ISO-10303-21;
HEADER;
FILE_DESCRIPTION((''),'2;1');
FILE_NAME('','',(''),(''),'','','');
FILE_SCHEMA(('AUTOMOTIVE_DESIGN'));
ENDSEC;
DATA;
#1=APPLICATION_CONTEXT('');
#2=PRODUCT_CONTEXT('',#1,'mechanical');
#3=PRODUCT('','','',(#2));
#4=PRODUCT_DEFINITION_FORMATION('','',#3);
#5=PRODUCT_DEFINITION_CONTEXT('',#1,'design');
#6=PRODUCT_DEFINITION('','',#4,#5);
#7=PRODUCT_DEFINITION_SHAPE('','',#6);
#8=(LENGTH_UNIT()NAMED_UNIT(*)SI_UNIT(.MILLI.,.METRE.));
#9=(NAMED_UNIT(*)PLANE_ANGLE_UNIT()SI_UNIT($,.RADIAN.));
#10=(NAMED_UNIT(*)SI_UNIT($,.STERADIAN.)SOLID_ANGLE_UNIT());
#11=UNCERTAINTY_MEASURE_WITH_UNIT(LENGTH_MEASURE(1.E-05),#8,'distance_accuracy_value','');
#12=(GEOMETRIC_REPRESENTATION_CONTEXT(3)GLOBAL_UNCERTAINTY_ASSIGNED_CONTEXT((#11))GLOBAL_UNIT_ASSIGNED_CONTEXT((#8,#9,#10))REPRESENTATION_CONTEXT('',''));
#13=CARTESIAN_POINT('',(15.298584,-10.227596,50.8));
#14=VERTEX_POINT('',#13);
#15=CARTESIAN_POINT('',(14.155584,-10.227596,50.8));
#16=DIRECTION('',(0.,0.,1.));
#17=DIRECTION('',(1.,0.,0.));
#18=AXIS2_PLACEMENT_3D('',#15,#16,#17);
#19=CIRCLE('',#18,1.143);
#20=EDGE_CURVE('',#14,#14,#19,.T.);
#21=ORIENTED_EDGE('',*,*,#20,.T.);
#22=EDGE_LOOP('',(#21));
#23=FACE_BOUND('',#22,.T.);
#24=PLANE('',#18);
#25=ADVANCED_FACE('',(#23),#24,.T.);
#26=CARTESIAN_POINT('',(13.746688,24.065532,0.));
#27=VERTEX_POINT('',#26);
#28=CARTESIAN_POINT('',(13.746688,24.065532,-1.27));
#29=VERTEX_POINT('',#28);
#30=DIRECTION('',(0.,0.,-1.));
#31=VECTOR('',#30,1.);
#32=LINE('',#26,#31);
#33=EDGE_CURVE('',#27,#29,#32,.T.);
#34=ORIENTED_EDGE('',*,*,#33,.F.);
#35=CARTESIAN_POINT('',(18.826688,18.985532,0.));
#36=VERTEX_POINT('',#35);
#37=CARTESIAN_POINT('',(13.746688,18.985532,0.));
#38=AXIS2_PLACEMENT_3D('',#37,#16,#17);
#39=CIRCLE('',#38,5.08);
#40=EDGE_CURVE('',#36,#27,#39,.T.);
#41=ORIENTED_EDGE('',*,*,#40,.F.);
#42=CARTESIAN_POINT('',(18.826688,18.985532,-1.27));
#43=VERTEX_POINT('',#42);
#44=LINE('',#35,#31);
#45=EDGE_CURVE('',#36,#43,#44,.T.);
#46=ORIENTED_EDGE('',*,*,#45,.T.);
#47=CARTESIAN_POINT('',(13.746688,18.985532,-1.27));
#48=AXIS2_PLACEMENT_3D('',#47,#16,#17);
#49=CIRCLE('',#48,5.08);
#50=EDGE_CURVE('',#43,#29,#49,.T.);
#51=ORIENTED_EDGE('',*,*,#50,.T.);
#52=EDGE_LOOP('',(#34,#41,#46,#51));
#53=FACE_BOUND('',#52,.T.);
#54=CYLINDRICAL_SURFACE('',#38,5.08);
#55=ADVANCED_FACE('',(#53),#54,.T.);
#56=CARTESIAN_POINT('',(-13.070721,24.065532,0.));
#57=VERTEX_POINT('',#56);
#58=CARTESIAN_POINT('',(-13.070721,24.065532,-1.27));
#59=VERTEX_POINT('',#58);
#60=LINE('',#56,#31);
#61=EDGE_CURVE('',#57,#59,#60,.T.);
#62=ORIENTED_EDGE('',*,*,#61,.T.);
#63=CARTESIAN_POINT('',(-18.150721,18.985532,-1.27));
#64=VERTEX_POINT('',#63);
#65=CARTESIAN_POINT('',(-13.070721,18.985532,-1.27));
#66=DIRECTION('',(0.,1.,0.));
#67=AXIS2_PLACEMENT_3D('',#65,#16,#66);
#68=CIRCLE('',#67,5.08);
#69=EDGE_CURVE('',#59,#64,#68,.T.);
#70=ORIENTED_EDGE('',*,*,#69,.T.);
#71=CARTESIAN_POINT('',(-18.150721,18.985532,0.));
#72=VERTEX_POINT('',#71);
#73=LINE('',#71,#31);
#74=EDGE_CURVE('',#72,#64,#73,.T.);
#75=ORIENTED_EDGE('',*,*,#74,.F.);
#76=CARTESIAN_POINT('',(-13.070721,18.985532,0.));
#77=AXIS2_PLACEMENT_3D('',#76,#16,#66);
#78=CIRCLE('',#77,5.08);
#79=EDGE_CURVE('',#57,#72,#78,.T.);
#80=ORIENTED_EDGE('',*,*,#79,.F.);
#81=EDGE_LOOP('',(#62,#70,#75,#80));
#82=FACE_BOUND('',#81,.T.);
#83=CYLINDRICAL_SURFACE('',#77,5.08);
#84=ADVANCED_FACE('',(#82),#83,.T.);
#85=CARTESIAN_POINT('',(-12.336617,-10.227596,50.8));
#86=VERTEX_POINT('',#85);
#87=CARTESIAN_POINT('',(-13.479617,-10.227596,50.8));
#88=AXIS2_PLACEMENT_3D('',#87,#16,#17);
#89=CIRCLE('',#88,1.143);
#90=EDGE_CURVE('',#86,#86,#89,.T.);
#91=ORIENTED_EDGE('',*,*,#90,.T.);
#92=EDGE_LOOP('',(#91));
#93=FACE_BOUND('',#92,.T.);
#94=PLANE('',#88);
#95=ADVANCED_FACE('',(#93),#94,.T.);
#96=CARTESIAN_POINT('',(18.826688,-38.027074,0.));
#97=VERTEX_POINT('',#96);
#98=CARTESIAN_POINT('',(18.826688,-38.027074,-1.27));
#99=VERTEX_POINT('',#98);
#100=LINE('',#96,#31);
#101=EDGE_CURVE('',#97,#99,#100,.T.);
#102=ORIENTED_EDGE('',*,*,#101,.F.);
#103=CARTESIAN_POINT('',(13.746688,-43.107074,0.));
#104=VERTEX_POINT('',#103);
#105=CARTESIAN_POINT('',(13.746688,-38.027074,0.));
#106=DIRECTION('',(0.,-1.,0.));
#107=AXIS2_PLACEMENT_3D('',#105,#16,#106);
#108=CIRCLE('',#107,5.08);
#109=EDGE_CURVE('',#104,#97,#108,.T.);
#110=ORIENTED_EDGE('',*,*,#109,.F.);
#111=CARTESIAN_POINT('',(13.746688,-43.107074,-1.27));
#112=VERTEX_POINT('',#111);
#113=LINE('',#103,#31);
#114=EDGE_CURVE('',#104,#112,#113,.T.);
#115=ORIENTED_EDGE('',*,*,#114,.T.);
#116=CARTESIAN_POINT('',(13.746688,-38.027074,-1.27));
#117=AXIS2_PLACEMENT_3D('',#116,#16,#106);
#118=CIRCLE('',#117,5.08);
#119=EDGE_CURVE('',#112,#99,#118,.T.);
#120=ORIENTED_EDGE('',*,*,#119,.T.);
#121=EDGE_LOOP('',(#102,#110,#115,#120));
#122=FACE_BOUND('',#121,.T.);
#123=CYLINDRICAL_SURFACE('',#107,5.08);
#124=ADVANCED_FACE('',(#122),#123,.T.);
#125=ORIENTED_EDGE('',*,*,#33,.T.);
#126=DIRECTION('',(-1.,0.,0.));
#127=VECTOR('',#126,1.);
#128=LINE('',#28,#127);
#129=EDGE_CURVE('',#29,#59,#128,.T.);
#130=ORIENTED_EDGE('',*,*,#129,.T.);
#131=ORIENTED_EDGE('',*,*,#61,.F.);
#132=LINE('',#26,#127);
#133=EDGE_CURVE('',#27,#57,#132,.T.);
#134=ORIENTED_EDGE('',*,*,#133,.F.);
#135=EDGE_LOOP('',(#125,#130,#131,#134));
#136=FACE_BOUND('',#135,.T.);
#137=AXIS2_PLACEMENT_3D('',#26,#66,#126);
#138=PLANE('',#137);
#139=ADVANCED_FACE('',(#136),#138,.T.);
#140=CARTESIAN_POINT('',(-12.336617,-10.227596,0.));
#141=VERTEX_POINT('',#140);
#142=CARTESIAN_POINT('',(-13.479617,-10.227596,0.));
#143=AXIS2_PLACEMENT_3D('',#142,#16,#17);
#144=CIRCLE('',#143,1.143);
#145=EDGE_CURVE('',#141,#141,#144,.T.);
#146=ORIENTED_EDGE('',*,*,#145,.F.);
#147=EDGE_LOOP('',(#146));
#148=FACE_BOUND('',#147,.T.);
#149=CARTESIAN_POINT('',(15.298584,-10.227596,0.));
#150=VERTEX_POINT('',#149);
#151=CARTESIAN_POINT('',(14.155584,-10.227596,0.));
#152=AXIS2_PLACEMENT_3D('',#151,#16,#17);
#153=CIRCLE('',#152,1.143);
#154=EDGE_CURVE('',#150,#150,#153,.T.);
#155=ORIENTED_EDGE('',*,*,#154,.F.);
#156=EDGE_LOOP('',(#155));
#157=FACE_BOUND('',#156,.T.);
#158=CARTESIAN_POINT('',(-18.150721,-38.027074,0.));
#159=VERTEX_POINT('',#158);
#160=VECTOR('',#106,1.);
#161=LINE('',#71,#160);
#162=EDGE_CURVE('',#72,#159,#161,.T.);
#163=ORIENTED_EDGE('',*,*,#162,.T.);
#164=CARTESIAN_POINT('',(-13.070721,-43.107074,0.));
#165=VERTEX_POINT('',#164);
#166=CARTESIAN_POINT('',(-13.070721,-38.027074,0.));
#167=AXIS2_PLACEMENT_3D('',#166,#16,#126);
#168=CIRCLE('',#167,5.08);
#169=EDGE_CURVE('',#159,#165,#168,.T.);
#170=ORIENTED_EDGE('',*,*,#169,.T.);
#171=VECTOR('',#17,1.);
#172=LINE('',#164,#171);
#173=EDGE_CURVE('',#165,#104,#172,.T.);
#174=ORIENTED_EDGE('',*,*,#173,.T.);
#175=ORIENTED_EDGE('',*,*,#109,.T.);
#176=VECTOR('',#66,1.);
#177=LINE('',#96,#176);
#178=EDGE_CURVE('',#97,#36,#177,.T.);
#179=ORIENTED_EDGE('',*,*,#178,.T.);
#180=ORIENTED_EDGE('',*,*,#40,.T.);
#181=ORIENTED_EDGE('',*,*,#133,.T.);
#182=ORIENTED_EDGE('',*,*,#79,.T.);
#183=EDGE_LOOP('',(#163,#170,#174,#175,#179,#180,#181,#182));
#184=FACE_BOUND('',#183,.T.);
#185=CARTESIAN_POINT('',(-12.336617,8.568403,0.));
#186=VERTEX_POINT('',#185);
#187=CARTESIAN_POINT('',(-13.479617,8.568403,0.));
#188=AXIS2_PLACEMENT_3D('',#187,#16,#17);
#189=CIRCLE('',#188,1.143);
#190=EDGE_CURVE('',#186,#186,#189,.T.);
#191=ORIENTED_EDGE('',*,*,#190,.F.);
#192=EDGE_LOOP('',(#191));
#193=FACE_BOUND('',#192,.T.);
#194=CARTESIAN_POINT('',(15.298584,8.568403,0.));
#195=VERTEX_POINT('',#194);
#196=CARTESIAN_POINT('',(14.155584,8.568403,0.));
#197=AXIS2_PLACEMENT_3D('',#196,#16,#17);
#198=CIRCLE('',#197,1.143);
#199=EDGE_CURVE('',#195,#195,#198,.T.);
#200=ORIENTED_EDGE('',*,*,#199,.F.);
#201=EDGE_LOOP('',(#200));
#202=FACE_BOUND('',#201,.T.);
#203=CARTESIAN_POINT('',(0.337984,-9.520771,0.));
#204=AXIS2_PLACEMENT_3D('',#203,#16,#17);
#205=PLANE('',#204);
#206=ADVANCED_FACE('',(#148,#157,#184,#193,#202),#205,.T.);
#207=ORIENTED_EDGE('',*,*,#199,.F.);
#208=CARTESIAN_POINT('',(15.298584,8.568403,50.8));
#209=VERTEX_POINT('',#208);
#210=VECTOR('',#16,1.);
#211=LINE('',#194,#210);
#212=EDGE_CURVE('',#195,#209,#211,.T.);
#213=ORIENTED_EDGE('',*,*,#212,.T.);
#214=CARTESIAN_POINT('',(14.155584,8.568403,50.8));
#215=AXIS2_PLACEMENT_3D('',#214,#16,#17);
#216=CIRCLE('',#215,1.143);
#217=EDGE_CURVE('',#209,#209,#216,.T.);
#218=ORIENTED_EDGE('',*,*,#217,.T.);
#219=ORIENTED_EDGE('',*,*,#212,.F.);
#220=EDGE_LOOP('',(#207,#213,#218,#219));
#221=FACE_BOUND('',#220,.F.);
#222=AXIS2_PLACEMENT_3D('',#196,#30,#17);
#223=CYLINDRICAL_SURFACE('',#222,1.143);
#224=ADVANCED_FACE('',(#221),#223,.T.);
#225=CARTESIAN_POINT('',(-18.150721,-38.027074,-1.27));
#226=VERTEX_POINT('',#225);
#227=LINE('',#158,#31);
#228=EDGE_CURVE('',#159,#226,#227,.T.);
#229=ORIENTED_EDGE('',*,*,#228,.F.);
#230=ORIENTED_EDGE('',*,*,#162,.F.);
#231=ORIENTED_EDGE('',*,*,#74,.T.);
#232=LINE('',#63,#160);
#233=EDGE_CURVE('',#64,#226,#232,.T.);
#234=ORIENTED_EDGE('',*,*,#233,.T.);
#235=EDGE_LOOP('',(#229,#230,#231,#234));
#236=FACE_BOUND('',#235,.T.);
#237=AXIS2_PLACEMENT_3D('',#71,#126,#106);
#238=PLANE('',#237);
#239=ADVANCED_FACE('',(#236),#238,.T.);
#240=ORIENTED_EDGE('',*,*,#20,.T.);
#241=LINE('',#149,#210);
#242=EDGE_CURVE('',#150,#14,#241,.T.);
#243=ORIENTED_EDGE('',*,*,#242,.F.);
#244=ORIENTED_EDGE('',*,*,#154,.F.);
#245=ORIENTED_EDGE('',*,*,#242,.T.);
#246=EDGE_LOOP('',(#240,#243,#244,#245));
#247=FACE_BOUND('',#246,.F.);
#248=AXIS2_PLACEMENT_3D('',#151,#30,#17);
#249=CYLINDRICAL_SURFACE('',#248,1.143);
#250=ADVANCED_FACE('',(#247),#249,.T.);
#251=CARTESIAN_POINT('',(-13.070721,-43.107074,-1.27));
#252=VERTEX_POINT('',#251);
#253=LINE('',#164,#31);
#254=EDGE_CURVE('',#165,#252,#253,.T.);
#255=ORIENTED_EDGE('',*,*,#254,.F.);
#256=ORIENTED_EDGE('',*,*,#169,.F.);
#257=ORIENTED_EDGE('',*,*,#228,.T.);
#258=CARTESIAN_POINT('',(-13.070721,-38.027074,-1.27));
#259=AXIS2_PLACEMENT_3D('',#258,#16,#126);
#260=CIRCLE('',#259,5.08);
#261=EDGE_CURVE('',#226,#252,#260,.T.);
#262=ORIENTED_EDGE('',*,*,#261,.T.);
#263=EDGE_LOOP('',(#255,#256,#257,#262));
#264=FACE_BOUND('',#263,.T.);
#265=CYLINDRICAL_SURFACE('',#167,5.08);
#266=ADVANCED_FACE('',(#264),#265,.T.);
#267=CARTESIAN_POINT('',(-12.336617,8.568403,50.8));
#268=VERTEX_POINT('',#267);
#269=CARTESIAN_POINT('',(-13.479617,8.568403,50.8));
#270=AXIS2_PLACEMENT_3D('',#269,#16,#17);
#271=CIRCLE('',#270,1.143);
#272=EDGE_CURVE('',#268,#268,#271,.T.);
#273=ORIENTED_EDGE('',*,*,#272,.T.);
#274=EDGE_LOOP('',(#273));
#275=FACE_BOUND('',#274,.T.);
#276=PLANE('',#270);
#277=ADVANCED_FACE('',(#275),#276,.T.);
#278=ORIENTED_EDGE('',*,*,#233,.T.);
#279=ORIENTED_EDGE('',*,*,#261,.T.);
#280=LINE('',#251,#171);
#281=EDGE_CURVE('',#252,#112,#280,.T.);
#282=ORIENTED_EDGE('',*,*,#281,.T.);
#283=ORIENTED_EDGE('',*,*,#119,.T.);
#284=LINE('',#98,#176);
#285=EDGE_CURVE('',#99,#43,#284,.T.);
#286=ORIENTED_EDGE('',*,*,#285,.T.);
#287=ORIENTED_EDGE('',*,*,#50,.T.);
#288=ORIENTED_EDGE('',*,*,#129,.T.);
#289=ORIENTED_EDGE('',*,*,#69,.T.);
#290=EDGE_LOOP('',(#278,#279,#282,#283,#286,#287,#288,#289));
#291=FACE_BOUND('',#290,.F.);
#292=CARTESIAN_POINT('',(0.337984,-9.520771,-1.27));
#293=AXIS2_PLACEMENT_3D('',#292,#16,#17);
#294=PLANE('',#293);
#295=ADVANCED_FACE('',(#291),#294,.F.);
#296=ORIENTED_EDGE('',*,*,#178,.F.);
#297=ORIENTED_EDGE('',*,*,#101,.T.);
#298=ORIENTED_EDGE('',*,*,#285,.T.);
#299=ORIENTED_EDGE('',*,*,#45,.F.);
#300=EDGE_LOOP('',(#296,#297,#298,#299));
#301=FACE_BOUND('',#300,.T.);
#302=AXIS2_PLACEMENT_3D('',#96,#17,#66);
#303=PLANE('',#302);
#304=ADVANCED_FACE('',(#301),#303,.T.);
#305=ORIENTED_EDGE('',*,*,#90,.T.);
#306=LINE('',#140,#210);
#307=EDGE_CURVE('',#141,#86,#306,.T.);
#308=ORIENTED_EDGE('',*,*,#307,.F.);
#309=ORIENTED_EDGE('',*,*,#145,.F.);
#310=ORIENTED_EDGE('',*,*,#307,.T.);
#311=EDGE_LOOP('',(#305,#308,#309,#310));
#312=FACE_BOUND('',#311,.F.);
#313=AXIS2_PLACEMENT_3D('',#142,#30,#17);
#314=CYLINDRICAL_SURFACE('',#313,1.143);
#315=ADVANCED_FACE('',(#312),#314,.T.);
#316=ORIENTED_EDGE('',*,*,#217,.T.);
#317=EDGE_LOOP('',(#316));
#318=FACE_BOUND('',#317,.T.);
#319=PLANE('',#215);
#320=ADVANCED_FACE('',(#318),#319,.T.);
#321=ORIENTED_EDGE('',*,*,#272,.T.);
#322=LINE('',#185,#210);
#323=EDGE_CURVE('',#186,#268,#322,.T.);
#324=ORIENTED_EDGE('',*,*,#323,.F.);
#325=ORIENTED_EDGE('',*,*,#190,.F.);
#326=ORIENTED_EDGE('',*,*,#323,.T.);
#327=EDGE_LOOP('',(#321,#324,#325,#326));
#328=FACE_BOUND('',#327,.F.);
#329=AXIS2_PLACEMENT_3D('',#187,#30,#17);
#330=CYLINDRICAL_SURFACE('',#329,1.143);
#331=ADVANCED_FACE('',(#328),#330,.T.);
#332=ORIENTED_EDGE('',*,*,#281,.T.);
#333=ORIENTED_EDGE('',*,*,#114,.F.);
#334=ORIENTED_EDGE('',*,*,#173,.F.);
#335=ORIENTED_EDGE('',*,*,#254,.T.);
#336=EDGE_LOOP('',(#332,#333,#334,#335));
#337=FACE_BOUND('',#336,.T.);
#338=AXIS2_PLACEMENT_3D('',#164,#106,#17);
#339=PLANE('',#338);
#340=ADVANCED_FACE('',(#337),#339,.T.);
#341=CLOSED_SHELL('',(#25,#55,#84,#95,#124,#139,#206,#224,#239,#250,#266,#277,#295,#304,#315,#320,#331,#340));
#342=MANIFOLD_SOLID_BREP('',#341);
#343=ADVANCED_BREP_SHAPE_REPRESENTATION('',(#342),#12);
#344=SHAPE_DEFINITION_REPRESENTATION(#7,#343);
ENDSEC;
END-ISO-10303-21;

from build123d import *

# Parameters (mm, degrees)
F0_R     = 1.143
F1_DEPTH = 50.8
F2_DEPTH = 1.27


with BuildPart() as f1:
    # F0 (on Top) → F1 (new body)
    with BuildSketch(Plane.XY):
        with Locations((-13.479616519, -10.2275963136)):
            Circle(F0_R)
    extrude(amount=F1_DEPTH)



with BuildPart() as f1b:
    # F0 (on Top) → F1, piece 2 (new body)
    with BuildSketch(Plane.XY):
        with Locations((-13.479616519, 8.5684026553)):
            Circle(F0_R)
    extrude(amount=F1_DEPTH)


with BuildPart() as f1c:
    # F0 (on Top) → F1, piece 3 (new body)
    with BuildSketch(Plane.XY):
        with Locations((14.1555836841, 8.5684026553)):
            Circle(F0_R)
    extrude(amount=F1_DEPTH)


with BuildPart() as f1d:
    # F0 (on Top) → F1, piece 4 (new body)
    with BuildSketch(Plane.XY):
        with Locations((14.1555836841, -10.2275963136)):
            Circle(F0_R)
    extrude(amount=F1_DEPTH)


with BuildPart() as f1_1:
    add(f1.part)

    add(f1b.part)  # F2 merges F1b

    add(f1c.part)  # F2 merges F1c

    add(f1d.part)  # F2 merges F1d
    # F0 (on Top) → F2 (join)
    with BuildSketch(Plane.XY):
        with BuildLine():
            ThreePointArc((18.8266877085, 18.9855317903), (17.3387901569, 22.5776342387), (13.7466877085, 24.0655317903))
            Line((13.7466877085, 24.0655317903), (-13.0707205434, 24.0655317903))
            ThreePointArc((-13.0707205434, 24.0655317903), (-16.6628229918, 22.5776342387), (-18.1507205434, 18.9855317903))
            Line((-18.1507205434, 18.9855317903), (-18.1507205434, -20.6447254485))
            Line((-18.1507205434, -20.6447254485), (-18.1507205434, -38.0270736456))
            ThreePointArc((-18.1507205434, -38.0270736456), (-16.6628229918, -41.619176094), (-13.0707205434, -43.1070736456))
            Line((-13.0707205434, -43.1070736456), (13.7466877085, -43.1070736456))
            ThreePointArc((13.7466877085, -43.1070736456), (17.3387901569, -41.619176094), (18.8266877085, -38.0270736456))
            Line((18.8266877085, -38.0270736456), (18.8266877085, -20.6447254485))
            Line((18.8266877085, -20.6447254485), (18.8266877085, 18.9855317903))
        make_face()
        with Locations((-13.479616519, -10.2275963136)):
            Circle(F0_R, mode=Mode.SUBTRACT)
        with Locations((14.1555836841, -10.2275963136)):
            Circle(F0_R, mode=Mode.SUBTRACT)
        with Locations((-13.479616519, 8.5684026553)):
            Circle(F0_R, mode=Mode.SUBTRACT)
        with Locations((14.1555836841, 8.5684026553)):
            Circle(F0_R, mode=Mode.SUBTRACT)
        with Locations((14.1555836841, -10.2275963136)):
            Circle(F0_R)
        with Locations((-13.479616519, -10.2275963136)):
            Circle(F0_R)
        with Locations((-13.479616519, 8.5684026553)):
            Circle(F0_R)
        with Locations((14.1555836841, 8.5684026553)):
            Circle(F0_R)
    extrude(amount=-F2_DEPTH)


solid = f1_1.part
